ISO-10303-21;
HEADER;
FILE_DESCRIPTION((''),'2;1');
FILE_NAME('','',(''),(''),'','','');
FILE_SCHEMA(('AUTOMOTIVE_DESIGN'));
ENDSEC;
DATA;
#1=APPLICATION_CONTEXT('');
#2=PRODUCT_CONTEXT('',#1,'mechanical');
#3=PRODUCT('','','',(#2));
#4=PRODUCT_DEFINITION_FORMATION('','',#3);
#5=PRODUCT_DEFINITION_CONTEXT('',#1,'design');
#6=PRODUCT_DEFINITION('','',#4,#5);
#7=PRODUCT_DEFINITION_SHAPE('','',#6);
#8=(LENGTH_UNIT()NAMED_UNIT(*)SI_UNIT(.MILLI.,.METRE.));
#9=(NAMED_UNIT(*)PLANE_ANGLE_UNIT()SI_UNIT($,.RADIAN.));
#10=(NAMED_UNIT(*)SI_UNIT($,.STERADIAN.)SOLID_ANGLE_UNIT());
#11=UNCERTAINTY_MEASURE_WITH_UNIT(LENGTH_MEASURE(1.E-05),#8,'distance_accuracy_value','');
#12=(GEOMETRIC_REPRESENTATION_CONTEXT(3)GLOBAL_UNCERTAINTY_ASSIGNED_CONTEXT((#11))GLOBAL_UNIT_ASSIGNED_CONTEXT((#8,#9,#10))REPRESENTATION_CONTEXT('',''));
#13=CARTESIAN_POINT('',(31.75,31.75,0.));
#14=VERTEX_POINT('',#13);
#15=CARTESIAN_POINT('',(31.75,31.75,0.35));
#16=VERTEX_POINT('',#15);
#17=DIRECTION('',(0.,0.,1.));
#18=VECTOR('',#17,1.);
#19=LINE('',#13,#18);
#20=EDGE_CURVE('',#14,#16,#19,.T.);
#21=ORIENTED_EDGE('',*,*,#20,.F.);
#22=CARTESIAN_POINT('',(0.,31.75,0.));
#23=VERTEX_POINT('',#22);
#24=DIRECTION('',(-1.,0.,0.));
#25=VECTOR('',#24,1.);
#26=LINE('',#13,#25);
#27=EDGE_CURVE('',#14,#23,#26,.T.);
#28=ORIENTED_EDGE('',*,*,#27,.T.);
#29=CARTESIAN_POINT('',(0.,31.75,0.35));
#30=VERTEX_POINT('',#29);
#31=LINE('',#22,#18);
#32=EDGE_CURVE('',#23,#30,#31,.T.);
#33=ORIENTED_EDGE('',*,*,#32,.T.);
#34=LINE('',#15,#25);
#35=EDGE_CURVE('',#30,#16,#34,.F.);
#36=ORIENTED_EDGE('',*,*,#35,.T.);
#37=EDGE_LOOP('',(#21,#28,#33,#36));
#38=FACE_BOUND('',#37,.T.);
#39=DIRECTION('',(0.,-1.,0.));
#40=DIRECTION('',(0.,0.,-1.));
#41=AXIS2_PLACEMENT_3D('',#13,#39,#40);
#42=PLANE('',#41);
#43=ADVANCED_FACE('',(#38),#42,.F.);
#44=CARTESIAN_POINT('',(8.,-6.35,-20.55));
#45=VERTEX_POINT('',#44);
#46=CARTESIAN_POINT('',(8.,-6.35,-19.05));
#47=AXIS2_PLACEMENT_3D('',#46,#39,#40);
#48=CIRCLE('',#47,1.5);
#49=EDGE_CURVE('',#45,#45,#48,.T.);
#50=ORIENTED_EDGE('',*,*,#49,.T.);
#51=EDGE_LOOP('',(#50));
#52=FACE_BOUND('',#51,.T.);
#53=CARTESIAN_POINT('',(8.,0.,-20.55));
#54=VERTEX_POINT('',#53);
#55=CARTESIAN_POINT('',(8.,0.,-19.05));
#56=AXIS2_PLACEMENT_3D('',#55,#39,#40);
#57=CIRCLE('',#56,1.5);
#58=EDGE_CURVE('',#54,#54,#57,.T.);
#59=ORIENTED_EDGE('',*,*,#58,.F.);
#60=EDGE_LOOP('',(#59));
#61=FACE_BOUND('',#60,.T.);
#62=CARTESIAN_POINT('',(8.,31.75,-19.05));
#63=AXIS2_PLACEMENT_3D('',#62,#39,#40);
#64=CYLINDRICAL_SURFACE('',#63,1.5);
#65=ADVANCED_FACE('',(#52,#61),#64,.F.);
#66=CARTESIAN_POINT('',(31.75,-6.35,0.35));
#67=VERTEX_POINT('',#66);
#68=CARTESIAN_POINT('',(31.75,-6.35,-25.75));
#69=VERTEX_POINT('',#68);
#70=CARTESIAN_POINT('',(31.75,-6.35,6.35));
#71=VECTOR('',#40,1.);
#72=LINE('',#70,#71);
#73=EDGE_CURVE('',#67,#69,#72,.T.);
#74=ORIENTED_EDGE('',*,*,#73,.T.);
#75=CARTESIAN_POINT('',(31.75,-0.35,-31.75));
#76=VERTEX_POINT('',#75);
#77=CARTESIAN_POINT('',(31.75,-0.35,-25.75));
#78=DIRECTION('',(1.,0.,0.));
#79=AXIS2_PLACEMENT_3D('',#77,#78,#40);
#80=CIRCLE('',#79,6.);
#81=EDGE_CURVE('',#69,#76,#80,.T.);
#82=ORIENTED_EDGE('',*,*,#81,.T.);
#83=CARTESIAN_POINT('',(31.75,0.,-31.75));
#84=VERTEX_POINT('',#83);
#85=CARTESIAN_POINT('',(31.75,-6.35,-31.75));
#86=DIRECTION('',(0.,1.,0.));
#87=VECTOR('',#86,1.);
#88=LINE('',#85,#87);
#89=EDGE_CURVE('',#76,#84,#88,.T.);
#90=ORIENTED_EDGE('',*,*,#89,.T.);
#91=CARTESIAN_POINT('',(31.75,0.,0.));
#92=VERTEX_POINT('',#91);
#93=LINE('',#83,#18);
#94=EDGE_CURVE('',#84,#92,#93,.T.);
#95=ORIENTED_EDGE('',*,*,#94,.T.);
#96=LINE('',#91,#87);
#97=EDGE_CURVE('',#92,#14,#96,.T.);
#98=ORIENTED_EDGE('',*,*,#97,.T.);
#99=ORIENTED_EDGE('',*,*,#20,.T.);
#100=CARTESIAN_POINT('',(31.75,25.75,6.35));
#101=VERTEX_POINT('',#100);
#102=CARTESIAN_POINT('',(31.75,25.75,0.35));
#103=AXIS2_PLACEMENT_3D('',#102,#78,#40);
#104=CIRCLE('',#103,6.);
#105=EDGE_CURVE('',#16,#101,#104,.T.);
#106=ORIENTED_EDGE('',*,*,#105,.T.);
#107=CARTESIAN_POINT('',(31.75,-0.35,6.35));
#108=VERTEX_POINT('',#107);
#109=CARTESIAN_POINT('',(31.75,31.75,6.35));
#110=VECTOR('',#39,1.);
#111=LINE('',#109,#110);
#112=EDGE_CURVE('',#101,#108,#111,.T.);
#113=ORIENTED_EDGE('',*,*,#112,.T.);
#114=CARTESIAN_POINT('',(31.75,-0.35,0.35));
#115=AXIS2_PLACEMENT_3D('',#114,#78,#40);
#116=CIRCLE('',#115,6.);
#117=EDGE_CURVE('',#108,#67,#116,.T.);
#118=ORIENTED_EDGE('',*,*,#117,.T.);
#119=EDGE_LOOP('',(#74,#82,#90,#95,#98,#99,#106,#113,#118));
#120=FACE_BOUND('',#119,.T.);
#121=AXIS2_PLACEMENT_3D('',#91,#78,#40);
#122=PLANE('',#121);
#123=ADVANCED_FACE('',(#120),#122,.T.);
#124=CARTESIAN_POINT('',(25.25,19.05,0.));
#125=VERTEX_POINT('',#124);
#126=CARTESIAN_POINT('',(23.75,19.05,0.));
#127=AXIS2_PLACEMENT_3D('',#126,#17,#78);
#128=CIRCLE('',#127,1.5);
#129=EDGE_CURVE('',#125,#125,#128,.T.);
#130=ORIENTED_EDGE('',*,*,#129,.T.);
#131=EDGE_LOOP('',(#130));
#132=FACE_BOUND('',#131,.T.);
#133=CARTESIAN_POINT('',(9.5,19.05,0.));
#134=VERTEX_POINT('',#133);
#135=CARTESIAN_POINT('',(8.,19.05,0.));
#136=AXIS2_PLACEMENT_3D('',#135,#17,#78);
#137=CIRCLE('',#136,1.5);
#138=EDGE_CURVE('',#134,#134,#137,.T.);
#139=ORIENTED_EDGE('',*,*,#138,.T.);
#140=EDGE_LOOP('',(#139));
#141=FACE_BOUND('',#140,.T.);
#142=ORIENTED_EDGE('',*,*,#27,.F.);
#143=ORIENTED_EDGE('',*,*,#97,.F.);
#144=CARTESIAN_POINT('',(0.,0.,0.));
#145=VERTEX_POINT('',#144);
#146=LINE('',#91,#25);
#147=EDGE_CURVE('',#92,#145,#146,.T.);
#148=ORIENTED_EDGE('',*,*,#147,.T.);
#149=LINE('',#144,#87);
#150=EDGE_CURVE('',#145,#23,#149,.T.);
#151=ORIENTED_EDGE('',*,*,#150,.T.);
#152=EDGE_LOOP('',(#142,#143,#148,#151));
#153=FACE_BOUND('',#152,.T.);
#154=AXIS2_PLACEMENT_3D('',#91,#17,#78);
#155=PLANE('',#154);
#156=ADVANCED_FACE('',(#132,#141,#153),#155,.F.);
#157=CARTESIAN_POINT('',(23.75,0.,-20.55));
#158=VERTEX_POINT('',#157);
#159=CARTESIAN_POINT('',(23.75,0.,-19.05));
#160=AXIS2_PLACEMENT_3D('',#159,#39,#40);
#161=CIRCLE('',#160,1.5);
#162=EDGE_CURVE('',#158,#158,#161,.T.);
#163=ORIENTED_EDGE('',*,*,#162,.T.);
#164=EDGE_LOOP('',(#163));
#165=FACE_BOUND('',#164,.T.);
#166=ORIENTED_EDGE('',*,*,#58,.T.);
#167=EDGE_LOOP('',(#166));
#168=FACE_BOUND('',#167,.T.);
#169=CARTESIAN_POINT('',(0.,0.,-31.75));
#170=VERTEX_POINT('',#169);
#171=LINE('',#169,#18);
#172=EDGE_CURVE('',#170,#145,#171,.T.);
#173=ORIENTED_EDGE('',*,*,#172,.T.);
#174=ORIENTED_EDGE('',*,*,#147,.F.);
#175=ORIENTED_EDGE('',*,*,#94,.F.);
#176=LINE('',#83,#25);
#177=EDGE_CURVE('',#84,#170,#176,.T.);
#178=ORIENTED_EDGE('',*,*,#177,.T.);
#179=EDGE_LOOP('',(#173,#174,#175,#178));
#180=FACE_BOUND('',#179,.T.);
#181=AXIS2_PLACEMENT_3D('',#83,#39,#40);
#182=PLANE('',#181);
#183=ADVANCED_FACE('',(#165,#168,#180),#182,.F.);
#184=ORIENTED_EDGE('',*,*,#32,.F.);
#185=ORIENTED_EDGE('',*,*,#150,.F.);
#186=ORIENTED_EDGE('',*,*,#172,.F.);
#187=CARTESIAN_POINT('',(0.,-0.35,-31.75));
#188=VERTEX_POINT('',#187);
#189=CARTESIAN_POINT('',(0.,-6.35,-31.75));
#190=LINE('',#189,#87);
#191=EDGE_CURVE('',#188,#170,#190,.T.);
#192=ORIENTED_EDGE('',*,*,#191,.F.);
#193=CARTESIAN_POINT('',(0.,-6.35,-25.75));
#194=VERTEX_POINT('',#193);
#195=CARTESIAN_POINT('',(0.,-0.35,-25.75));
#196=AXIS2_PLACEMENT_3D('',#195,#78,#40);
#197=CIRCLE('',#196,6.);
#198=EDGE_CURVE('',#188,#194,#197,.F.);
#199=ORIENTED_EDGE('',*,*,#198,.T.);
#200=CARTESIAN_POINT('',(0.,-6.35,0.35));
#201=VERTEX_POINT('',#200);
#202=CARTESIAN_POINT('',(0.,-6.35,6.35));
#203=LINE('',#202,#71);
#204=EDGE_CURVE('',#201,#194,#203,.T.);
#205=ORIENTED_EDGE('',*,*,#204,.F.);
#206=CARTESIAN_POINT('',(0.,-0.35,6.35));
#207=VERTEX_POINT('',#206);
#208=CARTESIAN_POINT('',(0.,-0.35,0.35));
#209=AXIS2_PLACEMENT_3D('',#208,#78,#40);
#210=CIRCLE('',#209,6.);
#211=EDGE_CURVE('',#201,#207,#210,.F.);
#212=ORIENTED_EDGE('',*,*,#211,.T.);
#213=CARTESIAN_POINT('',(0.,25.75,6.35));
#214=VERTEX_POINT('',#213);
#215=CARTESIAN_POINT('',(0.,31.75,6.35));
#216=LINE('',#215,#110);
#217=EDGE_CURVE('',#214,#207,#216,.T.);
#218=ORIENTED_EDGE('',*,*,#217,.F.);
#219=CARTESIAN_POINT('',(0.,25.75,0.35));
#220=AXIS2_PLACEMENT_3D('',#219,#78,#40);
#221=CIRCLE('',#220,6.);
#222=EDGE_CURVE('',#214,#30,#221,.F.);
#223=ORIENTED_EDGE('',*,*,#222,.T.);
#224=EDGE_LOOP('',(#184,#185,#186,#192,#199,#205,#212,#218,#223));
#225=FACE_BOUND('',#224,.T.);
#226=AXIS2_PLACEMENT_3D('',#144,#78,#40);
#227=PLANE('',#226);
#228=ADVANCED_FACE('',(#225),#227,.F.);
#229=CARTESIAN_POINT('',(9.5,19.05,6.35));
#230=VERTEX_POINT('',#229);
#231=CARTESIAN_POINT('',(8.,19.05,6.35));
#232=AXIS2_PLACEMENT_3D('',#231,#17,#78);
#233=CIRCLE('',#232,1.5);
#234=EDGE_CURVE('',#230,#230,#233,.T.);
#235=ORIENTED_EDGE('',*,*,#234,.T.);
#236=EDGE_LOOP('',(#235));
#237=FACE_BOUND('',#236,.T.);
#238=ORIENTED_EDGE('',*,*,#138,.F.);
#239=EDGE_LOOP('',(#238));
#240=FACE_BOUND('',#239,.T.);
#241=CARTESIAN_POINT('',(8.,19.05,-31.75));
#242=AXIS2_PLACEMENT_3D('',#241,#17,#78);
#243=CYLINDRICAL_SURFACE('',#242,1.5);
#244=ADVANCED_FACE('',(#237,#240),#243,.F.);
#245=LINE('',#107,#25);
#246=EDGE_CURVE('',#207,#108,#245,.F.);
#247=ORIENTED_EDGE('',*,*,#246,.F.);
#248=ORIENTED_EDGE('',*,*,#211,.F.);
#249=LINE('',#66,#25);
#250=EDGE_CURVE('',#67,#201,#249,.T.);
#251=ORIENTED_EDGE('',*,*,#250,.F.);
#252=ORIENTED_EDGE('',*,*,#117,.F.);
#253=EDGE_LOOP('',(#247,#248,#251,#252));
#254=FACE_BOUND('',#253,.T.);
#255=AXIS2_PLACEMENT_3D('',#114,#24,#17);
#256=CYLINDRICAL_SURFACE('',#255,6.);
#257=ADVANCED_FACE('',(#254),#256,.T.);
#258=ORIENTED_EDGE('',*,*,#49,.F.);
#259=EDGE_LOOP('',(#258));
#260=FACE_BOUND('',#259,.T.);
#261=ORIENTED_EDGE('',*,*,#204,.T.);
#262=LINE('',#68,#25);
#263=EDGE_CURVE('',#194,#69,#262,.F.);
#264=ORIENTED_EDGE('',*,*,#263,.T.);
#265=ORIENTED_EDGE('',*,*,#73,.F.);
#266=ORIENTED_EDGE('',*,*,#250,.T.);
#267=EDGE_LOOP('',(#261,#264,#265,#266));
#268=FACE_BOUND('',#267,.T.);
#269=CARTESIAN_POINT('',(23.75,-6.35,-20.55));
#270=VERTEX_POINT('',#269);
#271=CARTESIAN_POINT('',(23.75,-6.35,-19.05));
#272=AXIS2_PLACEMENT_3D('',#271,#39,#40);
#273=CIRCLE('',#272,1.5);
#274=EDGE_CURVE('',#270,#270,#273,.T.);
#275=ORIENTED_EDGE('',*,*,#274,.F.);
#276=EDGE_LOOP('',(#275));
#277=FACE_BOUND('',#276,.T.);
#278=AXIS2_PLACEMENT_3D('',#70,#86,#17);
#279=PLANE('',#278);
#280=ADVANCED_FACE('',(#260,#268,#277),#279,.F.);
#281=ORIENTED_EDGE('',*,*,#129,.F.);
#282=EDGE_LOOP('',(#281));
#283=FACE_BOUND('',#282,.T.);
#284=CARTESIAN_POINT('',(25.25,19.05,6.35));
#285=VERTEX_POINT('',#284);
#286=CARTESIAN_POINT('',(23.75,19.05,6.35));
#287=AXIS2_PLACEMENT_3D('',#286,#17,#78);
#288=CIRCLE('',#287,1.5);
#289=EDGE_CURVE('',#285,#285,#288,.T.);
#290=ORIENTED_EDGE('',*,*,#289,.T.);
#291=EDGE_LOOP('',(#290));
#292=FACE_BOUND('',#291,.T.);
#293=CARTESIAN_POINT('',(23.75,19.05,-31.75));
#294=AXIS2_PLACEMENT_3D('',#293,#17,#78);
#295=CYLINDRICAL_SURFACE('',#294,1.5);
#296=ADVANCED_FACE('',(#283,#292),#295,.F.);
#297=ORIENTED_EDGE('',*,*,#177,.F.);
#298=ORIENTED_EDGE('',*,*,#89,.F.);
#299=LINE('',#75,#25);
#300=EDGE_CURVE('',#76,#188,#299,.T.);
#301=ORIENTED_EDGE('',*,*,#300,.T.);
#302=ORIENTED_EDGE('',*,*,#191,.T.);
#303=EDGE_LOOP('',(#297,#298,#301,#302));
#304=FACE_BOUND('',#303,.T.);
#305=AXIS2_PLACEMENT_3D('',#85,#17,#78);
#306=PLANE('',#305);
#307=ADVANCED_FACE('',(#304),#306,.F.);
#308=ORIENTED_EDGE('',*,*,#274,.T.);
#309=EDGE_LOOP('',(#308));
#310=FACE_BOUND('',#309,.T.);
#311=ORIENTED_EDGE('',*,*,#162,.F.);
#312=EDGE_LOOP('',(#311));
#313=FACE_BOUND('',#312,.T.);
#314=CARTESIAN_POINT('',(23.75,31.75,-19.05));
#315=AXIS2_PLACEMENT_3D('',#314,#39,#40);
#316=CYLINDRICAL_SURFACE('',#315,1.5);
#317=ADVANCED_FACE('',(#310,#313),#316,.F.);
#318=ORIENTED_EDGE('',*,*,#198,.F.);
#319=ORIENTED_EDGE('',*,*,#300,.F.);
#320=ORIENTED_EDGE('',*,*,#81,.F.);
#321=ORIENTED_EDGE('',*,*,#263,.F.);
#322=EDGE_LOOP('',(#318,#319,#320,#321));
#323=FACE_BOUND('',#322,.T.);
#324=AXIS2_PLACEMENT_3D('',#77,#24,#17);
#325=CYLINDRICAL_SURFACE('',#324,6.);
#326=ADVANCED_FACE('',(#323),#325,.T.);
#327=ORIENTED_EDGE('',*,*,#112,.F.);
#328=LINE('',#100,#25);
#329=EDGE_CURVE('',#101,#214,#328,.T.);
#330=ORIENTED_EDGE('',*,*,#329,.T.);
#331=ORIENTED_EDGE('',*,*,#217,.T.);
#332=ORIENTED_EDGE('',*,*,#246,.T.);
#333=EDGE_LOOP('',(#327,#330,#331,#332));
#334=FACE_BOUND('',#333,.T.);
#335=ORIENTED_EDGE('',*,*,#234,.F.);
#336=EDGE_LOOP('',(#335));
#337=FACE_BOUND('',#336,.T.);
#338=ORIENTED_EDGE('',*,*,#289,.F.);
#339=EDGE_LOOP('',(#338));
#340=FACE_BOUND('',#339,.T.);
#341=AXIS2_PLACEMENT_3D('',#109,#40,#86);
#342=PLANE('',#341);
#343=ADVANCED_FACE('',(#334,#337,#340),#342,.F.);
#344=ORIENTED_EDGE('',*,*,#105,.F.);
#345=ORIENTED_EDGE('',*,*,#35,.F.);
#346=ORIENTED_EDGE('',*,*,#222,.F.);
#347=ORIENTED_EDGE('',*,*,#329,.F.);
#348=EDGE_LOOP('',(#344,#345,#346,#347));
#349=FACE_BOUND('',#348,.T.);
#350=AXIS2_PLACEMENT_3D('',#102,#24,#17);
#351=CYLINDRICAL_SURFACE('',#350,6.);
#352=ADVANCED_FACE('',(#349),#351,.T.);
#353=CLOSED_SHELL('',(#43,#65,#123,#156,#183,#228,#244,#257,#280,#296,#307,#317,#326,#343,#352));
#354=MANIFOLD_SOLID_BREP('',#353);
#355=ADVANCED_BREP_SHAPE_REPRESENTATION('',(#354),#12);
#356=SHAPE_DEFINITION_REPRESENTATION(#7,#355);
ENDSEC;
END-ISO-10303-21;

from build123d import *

# Parameters (mm, degrees)
BOSS_EXTRUDE1_DEPTH = 31.75
FILLET1_R           = 6
SKETCH2_R           = 1.5
CUT_EXTRUDE1_DEPTH  = 39.1
SKETCH3_R           = 1.5
CUT_EXTRUDE2_DEPTH  = 39.1
FILLET2_R           = 6


with BuildPart() as part:
    # Sketch1 → Boss-Extrude1 (new body)
    with BuildSketch(Plane(origin=(0, 0, 0), x_dir=(0, 0, -1), z_dir=(1, 0, 0))):
        Polygon((-6.35, 31.75), (-6.35, -6.35), (31.75, -6.35), (31.75, 0), (0, 0), (0, 31.75), align=None)
    extrude(amount=BOSS_EXTRUDE1_DEPTH)

    # Fillet1
    fillet1_edges = [part.edges().sort_by_distance(p)[0] for p in [
        (15.875, -6.35, -31.75),
        (15.875, 31.75, 6.35),
    ]]
    fillet(fillet1_edges, radius=FILLET1_R)

    # Sketch2 → Cut-Extrude1 (cut, through all)
    with BuildSketch(Plane.XY.offset(6.35)):
        with Locations((8, 19.05)):
            Circle(SKETCH2_R)
        with Locations((23.75, 19.05)):
            Circle(SKETCH2_R)
    extrude(amount=-CUT_EXTRUDE1_DEPTH, mode=Mode.SUBTRACT)

    # Sketch3 → Cut-Extrude2 (cut, through all)
    with BuildSketch(Plane.XZ.offset(6.35)):
        with Locations((8, -19.05)):
            Circle(SKETCH3_R)
        with Locations((23.75, -19.05)):
            Circle(SKETCH3_R)
    extrude(amount=-CUT_EXTRUDE2_DEPTH, mode=Mode.SUBTRACT)

    # Fillet2
    fillet2_edges = [part.edges().sort_by_distance(p)[0] for p in [
        (15.875, -6.35, 6.35),
    ]]
    fillet(fillet2_edges, radius=FILLET2_R)


solid = part.part
